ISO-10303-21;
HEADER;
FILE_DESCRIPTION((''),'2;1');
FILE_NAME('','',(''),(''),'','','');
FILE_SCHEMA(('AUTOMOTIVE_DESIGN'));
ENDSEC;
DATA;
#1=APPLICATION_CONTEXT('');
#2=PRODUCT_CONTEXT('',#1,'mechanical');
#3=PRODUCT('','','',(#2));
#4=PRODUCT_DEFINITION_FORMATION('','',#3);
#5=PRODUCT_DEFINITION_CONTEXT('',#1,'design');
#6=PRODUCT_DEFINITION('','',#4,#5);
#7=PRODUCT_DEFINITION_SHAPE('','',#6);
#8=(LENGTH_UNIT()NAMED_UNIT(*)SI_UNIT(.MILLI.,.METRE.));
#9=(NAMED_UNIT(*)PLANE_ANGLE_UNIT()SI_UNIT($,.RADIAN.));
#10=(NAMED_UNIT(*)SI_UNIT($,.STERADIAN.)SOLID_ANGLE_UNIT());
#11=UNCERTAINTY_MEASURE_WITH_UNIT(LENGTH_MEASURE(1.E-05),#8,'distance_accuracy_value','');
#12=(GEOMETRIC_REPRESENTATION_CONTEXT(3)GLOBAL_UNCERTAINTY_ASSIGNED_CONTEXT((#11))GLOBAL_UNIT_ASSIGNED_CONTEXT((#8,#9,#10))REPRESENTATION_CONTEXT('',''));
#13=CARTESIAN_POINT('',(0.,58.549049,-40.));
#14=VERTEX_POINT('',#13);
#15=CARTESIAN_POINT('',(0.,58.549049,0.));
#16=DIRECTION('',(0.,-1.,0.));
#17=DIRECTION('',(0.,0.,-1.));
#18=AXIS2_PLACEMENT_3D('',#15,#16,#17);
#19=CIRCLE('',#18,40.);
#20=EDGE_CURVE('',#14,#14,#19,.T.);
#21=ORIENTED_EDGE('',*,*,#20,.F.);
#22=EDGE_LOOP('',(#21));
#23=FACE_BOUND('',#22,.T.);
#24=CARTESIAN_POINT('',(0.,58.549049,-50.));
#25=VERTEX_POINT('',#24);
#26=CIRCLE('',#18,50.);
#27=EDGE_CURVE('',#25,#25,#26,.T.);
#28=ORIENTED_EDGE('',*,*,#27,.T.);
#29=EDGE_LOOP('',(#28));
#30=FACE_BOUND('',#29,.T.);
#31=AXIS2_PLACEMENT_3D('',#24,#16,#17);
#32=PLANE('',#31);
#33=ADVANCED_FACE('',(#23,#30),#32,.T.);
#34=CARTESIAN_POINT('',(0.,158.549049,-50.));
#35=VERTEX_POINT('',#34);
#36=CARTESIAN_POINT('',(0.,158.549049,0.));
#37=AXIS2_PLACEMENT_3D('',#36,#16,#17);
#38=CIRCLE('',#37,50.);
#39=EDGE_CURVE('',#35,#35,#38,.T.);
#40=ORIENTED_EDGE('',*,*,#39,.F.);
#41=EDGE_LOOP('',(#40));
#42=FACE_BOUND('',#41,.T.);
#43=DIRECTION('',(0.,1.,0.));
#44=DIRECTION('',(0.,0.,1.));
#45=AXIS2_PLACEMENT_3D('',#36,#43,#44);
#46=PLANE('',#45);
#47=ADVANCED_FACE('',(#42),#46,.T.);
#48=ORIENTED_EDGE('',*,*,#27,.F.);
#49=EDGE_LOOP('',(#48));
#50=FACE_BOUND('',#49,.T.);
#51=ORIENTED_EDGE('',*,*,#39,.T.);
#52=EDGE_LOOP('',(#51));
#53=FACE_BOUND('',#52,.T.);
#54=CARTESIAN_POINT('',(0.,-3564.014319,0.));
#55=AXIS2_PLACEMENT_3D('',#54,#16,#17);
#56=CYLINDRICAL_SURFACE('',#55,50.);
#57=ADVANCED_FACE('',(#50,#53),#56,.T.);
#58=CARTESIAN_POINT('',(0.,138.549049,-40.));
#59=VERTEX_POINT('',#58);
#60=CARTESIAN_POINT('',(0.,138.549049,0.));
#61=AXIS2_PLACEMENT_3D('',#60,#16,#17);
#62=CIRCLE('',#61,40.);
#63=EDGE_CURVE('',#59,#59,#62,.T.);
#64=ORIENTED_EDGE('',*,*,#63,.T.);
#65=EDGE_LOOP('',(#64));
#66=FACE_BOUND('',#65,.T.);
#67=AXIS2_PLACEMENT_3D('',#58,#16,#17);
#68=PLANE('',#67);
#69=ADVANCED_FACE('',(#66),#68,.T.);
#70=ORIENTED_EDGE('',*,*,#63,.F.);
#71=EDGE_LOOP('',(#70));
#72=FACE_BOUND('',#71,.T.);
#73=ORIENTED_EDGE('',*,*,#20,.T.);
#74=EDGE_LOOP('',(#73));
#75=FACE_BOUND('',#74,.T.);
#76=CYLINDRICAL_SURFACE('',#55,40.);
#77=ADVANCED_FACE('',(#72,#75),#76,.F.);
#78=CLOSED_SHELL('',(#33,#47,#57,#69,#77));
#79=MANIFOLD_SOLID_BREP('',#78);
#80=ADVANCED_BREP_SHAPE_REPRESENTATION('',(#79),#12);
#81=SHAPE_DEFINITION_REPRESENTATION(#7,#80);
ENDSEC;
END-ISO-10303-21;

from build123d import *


with BuildPart() as part:
    # Sketch1 → Revolve1 (revolve)
    with BuildSketch(Plane(origin=(0, 0, 0), x_dir=(0, 0, -1), z_dir=(1, 0, 0))):
        Polygon((0, 158.549048986), (50, 158.549048986), (50, 108.549048986), (50, 58.549048986), (40, 58.549048986), (40, 138.549048986), (0, 138.549048986), align=None)
    revolve(axis=Axis((0, -3564.01431948, 0), (0, 1, 0)))


solid = part.part
